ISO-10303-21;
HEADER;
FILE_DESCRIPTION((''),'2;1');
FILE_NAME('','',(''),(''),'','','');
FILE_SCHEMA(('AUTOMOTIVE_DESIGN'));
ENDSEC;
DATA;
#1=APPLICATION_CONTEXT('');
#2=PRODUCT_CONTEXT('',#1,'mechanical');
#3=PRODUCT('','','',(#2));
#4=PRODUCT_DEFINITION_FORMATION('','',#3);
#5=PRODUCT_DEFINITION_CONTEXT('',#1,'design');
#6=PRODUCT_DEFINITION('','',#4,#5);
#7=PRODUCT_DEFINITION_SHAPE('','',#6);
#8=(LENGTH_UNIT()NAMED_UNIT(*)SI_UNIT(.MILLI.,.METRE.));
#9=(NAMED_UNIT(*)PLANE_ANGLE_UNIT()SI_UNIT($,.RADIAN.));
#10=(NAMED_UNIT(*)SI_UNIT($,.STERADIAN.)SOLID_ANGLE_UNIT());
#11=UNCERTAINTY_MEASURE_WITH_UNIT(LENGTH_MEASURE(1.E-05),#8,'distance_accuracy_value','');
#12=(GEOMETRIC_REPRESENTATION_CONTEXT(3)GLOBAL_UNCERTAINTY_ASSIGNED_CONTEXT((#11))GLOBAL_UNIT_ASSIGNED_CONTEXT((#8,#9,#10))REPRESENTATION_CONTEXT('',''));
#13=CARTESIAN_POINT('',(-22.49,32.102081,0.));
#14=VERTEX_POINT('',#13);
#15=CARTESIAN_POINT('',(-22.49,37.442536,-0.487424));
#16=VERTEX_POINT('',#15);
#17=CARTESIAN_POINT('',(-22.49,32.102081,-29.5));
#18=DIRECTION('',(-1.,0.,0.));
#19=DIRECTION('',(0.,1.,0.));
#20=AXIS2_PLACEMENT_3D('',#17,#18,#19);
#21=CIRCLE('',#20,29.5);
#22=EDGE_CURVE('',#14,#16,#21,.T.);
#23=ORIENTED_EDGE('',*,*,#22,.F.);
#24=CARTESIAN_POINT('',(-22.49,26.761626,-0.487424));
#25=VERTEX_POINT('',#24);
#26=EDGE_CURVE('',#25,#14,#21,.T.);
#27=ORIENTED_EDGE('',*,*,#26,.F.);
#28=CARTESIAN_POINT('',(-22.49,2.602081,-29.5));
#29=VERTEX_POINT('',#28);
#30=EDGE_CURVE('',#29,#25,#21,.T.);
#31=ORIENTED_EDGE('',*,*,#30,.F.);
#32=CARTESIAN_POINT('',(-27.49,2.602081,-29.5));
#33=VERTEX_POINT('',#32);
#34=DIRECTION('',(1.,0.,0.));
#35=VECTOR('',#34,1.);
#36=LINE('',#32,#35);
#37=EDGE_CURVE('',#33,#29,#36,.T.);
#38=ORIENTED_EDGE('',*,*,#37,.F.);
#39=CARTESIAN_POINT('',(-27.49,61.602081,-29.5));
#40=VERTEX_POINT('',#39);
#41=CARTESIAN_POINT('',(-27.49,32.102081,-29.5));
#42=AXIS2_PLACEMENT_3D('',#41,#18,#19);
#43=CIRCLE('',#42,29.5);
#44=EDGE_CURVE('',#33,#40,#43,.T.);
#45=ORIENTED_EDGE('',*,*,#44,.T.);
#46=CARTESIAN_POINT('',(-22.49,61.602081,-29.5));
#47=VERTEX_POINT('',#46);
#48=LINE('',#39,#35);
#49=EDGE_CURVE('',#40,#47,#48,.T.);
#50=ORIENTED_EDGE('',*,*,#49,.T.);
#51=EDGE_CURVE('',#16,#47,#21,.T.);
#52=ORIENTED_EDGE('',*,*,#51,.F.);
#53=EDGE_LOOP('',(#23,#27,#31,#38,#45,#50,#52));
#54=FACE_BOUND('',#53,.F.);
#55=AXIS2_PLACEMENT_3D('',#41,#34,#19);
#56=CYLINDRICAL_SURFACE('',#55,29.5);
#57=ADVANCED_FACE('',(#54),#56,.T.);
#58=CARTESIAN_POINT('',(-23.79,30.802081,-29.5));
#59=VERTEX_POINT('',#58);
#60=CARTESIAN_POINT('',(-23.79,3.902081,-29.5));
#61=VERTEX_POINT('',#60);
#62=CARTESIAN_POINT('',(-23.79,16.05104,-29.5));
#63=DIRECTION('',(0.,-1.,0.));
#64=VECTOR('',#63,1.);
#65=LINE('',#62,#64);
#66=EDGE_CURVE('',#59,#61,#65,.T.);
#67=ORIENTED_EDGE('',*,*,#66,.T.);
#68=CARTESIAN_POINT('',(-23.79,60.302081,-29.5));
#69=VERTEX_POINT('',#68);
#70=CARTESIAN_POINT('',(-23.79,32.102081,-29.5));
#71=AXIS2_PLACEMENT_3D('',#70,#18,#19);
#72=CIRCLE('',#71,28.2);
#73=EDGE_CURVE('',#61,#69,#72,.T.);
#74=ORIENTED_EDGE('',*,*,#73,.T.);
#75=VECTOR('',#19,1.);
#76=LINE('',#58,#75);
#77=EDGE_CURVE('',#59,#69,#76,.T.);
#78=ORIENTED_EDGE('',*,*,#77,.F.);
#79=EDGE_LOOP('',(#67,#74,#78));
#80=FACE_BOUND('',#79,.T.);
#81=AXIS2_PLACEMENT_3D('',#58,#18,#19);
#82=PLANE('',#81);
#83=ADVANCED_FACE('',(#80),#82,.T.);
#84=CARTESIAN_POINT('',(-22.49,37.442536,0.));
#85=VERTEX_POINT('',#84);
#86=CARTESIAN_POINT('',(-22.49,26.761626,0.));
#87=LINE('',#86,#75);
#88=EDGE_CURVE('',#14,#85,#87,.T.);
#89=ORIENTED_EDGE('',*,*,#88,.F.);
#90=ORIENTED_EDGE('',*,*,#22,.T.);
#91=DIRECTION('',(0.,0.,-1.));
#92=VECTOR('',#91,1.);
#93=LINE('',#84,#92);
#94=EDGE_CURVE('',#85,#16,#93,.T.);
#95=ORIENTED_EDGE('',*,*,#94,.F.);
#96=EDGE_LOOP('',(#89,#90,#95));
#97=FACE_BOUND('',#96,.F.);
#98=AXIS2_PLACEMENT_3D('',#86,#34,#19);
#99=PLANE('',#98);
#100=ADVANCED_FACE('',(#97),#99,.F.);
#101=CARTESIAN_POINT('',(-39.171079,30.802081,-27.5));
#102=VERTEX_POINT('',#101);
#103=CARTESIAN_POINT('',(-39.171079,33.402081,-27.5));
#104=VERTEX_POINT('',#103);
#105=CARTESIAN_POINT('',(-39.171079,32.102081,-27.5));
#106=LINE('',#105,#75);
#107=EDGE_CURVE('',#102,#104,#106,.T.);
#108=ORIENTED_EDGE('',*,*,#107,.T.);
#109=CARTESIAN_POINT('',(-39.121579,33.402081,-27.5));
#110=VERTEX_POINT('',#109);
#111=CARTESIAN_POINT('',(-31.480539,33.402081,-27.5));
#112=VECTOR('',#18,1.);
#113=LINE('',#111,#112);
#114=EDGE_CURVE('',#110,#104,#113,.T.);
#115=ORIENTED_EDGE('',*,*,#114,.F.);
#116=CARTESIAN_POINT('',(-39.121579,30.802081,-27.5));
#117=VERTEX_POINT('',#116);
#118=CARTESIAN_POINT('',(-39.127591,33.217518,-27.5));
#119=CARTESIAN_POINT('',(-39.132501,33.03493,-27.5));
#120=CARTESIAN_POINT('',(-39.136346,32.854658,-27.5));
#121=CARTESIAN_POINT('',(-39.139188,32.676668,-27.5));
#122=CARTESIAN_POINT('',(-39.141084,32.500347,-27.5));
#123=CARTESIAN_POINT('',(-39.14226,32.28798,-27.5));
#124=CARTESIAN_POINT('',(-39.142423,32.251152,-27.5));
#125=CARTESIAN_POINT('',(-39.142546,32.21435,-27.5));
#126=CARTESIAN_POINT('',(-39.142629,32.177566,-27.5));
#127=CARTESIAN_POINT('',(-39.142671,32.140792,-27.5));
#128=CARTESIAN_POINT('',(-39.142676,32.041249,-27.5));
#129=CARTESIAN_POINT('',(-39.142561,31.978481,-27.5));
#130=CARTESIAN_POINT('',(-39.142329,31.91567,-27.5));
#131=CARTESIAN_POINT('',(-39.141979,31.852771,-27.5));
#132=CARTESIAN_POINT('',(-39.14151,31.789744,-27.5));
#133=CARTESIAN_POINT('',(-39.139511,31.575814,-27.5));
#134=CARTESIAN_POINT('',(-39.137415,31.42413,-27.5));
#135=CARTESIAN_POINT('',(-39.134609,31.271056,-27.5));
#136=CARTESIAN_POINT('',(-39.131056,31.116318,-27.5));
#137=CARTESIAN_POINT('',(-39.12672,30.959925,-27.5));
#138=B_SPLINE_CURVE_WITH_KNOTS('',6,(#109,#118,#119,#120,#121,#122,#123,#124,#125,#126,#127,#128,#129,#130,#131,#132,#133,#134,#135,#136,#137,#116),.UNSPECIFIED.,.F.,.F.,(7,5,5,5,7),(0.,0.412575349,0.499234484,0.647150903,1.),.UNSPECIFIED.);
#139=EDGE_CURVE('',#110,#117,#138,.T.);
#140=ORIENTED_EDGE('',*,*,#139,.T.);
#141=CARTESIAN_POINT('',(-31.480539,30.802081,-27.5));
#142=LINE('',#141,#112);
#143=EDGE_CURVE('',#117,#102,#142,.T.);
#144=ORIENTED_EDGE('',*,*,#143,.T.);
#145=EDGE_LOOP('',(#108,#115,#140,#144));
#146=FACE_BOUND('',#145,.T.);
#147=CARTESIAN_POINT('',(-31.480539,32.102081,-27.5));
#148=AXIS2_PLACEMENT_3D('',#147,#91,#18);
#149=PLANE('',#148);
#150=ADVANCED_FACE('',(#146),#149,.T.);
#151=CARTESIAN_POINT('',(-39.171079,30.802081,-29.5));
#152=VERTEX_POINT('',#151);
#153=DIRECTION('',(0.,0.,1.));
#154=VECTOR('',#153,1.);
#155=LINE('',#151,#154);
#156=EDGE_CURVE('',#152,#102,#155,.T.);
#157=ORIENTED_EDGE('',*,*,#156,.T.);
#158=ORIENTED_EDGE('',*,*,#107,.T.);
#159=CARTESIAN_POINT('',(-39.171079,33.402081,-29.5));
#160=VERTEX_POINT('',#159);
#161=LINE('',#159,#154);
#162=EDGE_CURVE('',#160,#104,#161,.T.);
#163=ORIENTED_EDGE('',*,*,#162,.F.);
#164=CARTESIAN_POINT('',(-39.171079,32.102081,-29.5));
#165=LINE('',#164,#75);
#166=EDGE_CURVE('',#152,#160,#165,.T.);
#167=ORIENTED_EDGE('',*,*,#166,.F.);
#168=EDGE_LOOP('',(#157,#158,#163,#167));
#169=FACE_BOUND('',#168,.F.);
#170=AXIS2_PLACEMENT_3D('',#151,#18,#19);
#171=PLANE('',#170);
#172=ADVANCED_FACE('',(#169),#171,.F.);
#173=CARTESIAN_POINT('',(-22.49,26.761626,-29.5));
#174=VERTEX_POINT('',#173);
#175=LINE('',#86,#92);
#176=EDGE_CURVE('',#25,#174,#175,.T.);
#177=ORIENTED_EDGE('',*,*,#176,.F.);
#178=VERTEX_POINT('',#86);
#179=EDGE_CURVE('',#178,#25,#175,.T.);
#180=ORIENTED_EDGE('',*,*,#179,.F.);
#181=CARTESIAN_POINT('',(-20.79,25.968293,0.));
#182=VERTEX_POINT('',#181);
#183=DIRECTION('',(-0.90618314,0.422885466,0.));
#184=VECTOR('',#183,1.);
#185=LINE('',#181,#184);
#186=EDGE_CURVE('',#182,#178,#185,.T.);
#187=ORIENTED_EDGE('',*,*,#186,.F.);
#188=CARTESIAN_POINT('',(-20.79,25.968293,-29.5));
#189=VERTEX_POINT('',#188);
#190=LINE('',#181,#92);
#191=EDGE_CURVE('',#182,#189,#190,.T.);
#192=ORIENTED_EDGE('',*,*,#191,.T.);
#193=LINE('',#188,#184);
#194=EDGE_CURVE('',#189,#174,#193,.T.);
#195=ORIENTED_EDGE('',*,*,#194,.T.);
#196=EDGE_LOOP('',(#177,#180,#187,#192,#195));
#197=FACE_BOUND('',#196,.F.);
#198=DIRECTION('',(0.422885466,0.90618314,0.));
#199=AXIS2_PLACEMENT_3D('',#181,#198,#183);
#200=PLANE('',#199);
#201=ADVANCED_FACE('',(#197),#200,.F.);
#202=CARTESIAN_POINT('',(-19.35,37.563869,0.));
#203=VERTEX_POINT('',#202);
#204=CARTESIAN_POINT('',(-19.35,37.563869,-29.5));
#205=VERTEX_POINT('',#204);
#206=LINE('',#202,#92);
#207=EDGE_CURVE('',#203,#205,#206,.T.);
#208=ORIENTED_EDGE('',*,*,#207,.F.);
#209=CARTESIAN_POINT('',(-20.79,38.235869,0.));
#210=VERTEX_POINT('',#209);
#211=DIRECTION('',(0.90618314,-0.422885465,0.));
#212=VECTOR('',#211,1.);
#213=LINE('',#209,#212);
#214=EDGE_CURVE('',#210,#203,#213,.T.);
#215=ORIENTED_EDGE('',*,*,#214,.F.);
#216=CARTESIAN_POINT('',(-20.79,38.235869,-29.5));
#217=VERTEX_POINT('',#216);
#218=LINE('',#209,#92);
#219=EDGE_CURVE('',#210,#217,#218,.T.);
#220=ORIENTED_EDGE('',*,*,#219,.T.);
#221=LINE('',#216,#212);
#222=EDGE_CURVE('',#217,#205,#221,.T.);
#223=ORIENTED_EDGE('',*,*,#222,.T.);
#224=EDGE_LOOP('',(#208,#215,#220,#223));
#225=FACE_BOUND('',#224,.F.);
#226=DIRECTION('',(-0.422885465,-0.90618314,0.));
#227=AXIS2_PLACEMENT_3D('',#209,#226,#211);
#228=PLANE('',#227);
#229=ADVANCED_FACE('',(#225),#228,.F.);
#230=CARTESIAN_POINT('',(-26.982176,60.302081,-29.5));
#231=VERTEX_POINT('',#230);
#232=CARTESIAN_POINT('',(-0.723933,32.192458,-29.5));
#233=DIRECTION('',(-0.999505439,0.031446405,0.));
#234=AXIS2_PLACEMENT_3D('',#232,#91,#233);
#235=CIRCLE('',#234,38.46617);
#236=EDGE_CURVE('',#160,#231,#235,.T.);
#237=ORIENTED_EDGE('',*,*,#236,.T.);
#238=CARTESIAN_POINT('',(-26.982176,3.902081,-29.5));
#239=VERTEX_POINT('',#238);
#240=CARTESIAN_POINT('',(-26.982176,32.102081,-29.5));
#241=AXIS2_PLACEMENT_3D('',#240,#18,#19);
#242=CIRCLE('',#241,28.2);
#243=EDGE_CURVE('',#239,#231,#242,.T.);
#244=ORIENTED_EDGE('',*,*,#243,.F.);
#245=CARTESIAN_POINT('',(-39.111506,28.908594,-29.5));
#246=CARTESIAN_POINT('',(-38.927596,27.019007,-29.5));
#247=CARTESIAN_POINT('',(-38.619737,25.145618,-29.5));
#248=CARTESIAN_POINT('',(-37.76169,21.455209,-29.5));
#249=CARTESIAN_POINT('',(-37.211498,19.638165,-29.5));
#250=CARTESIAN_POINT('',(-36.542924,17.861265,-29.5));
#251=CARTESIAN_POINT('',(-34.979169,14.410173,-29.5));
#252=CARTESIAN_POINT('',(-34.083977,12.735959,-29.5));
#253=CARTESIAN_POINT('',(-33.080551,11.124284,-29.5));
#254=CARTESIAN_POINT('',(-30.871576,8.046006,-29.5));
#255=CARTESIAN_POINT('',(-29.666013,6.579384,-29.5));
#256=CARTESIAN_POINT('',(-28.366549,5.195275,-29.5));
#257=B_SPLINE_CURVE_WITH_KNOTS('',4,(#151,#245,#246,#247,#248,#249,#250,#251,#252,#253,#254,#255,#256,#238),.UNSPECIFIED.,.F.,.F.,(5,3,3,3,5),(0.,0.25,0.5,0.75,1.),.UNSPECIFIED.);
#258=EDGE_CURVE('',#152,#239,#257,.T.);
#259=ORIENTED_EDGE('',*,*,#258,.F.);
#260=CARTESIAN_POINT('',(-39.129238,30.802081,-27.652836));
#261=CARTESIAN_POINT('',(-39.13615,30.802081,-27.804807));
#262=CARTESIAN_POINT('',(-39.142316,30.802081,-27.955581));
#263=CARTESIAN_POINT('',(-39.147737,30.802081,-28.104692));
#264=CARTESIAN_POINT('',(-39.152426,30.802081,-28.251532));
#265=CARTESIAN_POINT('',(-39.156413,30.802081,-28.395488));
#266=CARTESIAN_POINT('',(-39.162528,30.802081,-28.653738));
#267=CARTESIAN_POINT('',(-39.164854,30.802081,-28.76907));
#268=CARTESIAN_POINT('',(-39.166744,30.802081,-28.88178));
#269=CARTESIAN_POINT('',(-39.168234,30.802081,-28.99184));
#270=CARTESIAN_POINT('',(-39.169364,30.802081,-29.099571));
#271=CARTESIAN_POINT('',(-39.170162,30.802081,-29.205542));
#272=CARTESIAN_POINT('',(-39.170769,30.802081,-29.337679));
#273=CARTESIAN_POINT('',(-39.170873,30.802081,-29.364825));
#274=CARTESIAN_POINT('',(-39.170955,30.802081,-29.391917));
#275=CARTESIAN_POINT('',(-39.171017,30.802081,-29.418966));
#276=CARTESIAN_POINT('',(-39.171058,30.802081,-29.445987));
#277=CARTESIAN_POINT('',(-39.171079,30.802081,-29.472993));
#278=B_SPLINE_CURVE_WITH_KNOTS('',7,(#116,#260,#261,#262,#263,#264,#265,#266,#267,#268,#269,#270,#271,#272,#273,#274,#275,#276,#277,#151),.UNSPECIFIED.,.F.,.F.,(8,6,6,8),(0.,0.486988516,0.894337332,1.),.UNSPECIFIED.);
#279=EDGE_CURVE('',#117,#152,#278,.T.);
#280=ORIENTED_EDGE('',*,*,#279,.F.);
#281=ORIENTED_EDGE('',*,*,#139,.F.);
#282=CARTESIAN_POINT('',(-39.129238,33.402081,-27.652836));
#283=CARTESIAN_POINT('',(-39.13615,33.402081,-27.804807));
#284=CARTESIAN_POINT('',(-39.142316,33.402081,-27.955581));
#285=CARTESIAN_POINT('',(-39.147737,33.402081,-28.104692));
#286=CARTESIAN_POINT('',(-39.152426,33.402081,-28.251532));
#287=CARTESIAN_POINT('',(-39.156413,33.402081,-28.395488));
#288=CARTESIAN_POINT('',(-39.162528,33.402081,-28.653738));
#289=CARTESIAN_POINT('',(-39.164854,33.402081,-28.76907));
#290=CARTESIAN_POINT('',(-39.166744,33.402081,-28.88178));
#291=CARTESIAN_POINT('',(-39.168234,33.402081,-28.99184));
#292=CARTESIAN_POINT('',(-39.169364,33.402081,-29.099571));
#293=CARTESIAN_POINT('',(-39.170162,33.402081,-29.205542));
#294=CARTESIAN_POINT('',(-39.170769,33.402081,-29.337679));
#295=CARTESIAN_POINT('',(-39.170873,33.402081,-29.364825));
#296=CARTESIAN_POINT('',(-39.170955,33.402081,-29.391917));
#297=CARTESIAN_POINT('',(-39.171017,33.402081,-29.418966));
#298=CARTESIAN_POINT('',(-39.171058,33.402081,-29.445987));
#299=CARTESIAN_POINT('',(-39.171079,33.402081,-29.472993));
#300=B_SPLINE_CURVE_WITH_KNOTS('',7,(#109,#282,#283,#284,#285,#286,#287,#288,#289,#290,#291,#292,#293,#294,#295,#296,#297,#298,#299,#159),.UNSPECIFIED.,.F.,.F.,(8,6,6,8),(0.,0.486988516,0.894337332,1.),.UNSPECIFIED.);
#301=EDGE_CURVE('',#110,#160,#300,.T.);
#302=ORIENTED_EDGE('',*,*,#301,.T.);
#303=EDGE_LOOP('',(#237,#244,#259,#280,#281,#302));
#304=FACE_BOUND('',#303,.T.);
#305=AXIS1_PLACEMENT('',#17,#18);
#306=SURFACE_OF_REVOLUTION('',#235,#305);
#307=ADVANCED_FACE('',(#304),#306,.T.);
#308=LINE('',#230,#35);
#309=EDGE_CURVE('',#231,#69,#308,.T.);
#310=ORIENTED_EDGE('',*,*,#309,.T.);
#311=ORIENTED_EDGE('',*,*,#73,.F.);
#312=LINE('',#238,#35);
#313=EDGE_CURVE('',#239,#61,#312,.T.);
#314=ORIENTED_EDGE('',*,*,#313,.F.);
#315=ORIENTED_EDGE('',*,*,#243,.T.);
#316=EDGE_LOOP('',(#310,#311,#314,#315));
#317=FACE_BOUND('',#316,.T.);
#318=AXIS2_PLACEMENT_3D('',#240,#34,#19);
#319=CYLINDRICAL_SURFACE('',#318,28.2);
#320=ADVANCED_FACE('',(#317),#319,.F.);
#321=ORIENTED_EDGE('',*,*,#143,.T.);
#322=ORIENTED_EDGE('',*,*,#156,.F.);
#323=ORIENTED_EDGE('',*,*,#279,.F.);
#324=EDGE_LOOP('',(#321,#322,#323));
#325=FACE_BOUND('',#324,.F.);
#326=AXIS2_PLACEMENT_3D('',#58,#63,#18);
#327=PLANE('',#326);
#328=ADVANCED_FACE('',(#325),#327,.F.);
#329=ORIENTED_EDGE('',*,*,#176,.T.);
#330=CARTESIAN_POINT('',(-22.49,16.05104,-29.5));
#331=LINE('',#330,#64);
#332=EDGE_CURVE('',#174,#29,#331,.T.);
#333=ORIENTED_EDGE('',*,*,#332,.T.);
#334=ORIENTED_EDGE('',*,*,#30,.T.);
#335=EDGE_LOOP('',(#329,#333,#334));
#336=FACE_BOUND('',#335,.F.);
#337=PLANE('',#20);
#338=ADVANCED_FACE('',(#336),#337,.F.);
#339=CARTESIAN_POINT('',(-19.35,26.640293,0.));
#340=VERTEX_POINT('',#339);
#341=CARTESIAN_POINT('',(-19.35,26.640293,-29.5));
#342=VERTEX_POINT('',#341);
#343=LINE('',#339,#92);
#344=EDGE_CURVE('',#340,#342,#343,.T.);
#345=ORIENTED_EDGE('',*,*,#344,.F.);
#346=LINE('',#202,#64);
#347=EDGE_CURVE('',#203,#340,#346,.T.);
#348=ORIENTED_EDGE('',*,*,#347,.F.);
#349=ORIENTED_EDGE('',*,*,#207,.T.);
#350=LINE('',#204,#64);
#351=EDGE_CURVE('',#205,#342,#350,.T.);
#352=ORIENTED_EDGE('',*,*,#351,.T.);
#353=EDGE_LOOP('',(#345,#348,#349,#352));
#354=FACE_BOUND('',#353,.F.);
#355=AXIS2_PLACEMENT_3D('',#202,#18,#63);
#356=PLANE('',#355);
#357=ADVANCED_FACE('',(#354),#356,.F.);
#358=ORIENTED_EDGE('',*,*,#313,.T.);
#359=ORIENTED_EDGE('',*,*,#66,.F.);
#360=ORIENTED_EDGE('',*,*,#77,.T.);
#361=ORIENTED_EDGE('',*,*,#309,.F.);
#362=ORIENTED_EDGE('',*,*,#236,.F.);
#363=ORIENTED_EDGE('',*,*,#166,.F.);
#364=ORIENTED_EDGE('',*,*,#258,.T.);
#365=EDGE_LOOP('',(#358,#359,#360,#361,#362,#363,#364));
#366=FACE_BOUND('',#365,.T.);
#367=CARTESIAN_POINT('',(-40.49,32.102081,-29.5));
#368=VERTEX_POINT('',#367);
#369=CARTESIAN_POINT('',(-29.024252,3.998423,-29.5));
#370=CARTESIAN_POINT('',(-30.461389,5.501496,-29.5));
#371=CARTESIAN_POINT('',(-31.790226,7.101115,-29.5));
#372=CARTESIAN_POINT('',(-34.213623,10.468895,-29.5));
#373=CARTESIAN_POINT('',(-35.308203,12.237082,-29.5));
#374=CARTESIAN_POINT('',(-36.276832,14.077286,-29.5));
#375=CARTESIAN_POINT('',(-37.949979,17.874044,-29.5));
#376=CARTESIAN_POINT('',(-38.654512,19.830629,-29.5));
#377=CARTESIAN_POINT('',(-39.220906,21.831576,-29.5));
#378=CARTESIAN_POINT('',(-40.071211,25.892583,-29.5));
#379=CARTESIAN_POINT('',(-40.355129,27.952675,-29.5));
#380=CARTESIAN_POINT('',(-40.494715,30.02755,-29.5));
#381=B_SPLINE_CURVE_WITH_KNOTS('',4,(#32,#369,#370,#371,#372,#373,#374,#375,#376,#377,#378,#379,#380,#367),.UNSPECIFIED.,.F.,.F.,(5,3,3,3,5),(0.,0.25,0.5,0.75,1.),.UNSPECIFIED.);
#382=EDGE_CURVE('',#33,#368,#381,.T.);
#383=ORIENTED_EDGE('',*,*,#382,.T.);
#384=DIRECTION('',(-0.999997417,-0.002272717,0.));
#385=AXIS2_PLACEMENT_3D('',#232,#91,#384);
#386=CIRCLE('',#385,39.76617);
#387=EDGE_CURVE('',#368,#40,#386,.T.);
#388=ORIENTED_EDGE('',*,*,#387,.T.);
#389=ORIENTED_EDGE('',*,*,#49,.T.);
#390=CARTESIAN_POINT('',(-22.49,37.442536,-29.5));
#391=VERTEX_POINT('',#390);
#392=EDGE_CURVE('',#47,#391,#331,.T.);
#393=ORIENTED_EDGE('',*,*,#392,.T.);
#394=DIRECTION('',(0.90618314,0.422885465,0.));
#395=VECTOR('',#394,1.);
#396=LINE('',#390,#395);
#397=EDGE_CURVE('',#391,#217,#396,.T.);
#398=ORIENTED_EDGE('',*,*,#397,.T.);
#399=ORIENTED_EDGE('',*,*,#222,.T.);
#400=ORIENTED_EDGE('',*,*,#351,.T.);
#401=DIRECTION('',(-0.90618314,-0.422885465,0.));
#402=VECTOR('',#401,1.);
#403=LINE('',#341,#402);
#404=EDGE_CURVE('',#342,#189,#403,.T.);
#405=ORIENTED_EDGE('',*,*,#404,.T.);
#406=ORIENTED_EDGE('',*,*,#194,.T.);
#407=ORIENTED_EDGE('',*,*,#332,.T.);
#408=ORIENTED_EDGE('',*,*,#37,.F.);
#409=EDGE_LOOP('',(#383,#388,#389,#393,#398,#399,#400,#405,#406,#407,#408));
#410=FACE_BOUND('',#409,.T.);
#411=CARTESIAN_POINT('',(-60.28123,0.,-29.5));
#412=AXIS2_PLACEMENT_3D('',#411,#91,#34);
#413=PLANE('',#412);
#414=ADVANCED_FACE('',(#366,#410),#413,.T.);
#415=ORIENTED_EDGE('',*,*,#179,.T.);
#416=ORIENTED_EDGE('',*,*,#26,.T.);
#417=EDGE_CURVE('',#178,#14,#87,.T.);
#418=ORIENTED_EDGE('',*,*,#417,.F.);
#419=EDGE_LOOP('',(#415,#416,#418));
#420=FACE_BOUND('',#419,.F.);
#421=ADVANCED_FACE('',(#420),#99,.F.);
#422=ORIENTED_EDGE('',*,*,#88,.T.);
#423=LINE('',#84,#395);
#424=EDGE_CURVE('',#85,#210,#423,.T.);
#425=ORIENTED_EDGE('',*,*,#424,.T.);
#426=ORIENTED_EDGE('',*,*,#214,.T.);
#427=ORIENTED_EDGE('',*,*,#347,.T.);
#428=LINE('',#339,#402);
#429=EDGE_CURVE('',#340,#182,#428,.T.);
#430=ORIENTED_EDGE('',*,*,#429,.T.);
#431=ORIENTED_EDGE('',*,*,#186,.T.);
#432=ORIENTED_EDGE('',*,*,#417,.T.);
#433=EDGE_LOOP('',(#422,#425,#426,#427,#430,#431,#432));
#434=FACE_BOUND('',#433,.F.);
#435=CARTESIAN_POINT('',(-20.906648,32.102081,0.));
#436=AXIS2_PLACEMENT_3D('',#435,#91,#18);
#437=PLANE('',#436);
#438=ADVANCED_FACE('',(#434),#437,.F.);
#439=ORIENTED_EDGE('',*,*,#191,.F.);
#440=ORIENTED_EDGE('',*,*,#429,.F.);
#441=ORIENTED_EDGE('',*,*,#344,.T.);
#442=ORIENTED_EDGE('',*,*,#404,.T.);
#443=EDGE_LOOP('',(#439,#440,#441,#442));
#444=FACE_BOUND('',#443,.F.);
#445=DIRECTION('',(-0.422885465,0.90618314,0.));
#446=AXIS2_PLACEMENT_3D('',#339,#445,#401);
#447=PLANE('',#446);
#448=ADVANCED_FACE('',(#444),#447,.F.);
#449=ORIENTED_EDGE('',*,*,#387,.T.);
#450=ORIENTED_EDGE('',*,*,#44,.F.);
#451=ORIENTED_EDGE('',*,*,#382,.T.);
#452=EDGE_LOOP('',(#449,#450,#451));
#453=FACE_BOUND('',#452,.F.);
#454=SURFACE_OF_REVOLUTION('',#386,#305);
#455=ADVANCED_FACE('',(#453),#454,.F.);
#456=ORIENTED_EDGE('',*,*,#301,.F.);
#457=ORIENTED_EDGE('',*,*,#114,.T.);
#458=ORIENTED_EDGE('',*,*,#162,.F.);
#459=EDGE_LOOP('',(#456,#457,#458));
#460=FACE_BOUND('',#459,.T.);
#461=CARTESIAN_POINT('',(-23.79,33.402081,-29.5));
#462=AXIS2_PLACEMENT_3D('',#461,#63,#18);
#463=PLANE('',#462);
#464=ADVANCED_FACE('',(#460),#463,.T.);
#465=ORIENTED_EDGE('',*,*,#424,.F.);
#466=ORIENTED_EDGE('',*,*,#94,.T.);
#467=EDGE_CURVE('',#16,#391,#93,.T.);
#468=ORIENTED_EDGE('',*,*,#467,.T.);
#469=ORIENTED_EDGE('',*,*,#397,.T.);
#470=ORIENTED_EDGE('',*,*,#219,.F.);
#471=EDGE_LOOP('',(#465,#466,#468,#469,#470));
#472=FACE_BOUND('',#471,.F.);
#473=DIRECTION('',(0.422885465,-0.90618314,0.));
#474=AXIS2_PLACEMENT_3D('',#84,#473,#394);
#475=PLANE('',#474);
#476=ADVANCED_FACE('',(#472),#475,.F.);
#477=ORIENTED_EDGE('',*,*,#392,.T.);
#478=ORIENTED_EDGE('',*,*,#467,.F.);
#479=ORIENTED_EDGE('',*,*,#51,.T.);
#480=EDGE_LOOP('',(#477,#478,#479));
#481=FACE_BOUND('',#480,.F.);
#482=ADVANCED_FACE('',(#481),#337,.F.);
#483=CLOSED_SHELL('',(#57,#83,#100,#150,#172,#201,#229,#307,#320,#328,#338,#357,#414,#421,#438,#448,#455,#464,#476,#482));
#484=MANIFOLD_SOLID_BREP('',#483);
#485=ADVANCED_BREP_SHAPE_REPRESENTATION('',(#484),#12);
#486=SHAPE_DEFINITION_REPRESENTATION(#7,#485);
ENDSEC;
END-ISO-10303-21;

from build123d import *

# Parameters (mm, degrees)
BOSS_EXTRUDE1_DEPTH = 29.5
SKETCH4_W           = 50
SKETCH4_H           = 35
CUT_EXTRUDE1_DEPTH  = 68
SKETCH5_W           = 15.381078853
SKETCH5_H           = 2.6
CUT_EXTRUDE2_DEPTH  = 2


with BuildPart() as part:
    # Sketch1 → Boss-Extrude1 (new body)
    with BuildSketch(Plane.XY):
        Polygon((-22.49, 37.442535728), (-20.79, 38.235869061), (-19.35, 37.563869061), (-19.35, 26.640292624), (-20.79, 25.968292624), (-22.49, 26.761625958), align=None)
    extrude(amount=-BOSS_EXTRUDE1_DEPTH)

    # Sketch3 → Revolve1 (revolve)
    with BuildSketch(Plane(origin=(0, 32.102080843, 0), x_dir=(-1, 0, 0), z_dir=(0, -1, 0)), mode=Mode.PRIVATE) as revolve1_sk:
        with BuildLine():
            Line((22.49, 29.5), (40.49, 29.5))
            ThreePointArc((40.49, 29.5), (37.113405562, 13.37358399), (27.49, 0))
            Line((27.49, 0), (22.49, 0))
            Line((22.49, 0), (22.49, 29.5))
        make_face()
        with BuildLine():
            Line((23.79, 28.2), (39.171078853, 28.2))
            ThreePointArc((39.171078853, 28.2), (35.761046656, 13.533638438), (26.982175907, 1.3))
            Line((26.982175907, 1.3), (23.79, 1.3))
            Line((23.79, 1.3), (23.79, 28.2))
        make_face(mode=Mode.SUBTRACT)
    revolve(revolve1_sk.sketch.rotate(Axis((-22.49, 32.102080843, -29.5), (-1, 0, 0)), 90), axis=Axis((-22.49, 32.102080843, -29.5), (-1, 0, 0)))

    # Sketch4 → Cut-Extrude1 (cut)
    with BuildSketch(Plane(origin=(0, 0, 0), x_dir=(1, 0, 0), z_dir=(0, 1, 0))):
        with Locations((-35.281230145, 47)):
            Rectangle(SKETCH4_W, SKETCH4_H)
    extrude(amount=CUT_EXTRUDE1_DEPTH, mode=Mode.SUBTRACT)

    # Sketch5 → Cut-Extrude2 (cut)
    with BuildSketch(Plane(origin=(0, 0, -29.5), x_dir=(-1, 0, 0), z_dir=(0, 0, -1))):
        with Locations((31.480539427, 32.102080843)):
            Rectangle(SKETCH5_W, SKETCH5_H)
    extrude(amount=-CUT_EXTRUDE2_DEPTH, mode=Mode.SUBTRACT)


solid = part.part
